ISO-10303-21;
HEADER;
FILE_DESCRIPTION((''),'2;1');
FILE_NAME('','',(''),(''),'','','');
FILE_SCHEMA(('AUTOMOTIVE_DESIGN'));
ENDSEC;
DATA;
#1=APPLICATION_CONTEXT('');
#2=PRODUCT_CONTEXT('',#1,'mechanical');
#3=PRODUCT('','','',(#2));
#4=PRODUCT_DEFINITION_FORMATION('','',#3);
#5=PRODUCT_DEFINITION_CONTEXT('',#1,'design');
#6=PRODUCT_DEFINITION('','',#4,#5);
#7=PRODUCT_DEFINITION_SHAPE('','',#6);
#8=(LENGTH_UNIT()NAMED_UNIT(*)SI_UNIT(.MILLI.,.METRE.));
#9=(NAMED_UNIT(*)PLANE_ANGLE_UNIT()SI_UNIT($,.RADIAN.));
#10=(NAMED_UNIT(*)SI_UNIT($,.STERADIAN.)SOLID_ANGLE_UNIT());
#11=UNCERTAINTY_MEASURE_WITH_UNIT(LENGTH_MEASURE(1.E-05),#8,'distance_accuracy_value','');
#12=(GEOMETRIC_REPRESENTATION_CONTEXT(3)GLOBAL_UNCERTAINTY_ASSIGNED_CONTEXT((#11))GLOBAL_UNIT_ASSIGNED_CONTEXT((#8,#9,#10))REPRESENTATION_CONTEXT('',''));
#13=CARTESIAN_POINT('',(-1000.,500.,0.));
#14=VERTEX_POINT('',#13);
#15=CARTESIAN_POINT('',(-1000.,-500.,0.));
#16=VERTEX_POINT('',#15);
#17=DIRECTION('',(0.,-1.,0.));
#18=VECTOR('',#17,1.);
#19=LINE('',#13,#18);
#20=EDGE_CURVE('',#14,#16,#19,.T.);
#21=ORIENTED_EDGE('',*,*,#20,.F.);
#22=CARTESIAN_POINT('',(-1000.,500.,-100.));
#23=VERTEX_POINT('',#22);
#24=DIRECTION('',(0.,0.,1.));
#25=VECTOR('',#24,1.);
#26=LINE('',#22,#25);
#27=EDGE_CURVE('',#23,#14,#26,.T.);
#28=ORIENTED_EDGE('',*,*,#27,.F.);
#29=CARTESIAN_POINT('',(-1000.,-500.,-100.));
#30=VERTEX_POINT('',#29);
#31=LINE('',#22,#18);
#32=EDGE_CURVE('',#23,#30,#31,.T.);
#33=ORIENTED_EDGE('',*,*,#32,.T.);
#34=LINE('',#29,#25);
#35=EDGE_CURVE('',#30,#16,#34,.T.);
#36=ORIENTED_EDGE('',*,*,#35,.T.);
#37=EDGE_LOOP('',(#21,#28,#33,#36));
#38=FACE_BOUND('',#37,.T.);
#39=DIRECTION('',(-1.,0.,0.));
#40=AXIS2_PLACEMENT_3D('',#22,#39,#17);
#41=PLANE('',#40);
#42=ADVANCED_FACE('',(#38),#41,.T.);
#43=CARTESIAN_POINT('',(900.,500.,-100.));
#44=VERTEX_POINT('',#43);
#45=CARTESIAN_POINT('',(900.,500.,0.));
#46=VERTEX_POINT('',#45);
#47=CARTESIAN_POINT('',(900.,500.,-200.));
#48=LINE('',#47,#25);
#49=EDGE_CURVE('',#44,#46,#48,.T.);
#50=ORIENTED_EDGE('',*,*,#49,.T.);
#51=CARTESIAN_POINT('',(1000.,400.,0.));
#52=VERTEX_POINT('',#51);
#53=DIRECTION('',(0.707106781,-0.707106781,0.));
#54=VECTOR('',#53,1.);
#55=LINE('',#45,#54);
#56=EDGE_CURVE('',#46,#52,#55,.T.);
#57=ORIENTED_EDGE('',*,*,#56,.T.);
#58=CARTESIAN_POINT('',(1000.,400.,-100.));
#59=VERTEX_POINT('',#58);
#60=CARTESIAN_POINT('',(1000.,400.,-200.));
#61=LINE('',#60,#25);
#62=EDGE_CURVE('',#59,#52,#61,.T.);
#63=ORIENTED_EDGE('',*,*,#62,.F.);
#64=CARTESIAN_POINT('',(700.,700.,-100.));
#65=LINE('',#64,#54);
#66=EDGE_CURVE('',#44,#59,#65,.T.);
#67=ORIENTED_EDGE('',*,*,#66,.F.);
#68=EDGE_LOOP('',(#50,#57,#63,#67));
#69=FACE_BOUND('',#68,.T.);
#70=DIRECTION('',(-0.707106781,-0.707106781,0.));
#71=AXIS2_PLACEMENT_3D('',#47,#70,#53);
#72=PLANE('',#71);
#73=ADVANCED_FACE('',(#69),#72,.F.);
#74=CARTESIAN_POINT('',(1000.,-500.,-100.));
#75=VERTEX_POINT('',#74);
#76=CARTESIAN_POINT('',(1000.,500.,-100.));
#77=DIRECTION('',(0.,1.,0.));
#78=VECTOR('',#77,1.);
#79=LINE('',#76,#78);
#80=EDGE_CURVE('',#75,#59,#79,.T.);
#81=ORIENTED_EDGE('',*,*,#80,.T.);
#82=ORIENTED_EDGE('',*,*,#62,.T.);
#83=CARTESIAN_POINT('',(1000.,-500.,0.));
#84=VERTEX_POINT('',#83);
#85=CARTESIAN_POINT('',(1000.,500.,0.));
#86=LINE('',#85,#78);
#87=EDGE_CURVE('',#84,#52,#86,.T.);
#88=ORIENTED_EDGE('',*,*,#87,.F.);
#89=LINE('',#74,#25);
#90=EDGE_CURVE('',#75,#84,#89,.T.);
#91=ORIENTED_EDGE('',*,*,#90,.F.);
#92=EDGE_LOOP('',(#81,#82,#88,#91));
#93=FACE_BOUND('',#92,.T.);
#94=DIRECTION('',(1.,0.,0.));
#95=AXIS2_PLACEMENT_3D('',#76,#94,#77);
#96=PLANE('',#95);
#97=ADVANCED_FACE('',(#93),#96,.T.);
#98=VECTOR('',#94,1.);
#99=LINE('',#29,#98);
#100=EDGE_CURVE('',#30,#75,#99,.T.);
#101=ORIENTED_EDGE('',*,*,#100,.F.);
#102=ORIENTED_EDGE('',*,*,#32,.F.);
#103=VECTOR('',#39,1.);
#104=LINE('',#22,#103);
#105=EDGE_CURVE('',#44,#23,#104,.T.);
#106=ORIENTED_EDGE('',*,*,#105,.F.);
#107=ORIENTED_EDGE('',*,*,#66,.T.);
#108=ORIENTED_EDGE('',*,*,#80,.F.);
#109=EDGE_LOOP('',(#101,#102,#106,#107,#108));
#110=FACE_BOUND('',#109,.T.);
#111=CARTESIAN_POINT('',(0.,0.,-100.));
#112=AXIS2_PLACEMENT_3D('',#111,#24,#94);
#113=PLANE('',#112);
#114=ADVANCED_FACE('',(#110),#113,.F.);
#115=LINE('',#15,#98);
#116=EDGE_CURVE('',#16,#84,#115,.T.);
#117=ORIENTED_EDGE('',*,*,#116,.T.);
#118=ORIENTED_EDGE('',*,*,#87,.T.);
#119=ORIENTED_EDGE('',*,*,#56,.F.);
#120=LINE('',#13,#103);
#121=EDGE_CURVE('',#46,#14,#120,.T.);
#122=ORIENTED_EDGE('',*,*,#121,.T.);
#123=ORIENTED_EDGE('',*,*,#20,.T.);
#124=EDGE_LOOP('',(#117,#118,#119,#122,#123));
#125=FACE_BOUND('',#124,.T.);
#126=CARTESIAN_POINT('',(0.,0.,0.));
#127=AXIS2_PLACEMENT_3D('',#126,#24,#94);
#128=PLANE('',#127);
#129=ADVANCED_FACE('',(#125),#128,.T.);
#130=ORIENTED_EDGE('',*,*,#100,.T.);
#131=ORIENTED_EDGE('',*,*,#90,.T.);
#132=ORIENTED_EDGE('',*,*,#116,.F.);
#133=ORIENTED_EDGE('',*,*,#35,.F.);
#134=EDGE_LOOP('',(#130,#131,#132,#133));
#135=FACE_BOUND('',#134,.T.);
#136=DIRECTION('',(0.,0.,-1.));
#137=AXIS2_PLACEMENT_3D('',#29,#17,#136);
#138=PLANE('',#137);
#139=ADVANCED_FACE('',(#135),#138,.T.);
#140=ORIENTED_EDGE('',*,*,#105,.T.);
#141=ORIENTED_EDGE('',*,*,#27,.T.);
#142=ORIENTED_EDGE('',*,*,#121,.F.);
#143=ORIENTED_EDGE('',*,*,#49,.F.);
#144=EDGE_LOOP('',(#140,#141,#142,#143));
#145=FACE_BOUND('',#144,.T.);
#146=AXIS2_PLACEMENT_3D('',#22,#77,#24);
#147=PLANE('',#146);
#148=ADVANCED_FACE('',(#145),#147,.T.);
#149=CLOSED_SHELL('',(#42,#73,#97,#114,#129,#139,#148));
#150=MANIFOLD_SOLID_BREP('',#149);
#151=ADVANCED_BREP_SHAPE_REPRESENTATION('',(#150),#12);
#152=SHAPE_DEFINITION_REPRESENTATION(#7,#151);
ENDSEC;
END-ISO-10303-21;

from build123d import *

# Parameters (mm, degrees)
SKETCH1_W           = 2000
SKETCH1_H           = 1000
BOSS_EXTRUDE1_DEPTH = 100
CUT_EXTRUDE1_DEPTH  = 200


with BuildPart() as part:
    # Sketch1 → Boss-Extrude1 (new body)
    with BuildSketch(Plane.XY):
        Rectangle(SKETCH1_W, SKETCH1_H)
    extrude(amount=-BOSS_EXTRUDE1_DEPTH)

    # Sketch2 → Cut-Extrude1 (cut)
    with BuildSketch(Plane.XY):
        Polygon((900, 500), (1000, 400), (1000, 500), align=None)
    extrude(amount=-CUT_EXTRUDE1_DEPTH, mode=Mode.SUBTRACT)


solid = part.part
